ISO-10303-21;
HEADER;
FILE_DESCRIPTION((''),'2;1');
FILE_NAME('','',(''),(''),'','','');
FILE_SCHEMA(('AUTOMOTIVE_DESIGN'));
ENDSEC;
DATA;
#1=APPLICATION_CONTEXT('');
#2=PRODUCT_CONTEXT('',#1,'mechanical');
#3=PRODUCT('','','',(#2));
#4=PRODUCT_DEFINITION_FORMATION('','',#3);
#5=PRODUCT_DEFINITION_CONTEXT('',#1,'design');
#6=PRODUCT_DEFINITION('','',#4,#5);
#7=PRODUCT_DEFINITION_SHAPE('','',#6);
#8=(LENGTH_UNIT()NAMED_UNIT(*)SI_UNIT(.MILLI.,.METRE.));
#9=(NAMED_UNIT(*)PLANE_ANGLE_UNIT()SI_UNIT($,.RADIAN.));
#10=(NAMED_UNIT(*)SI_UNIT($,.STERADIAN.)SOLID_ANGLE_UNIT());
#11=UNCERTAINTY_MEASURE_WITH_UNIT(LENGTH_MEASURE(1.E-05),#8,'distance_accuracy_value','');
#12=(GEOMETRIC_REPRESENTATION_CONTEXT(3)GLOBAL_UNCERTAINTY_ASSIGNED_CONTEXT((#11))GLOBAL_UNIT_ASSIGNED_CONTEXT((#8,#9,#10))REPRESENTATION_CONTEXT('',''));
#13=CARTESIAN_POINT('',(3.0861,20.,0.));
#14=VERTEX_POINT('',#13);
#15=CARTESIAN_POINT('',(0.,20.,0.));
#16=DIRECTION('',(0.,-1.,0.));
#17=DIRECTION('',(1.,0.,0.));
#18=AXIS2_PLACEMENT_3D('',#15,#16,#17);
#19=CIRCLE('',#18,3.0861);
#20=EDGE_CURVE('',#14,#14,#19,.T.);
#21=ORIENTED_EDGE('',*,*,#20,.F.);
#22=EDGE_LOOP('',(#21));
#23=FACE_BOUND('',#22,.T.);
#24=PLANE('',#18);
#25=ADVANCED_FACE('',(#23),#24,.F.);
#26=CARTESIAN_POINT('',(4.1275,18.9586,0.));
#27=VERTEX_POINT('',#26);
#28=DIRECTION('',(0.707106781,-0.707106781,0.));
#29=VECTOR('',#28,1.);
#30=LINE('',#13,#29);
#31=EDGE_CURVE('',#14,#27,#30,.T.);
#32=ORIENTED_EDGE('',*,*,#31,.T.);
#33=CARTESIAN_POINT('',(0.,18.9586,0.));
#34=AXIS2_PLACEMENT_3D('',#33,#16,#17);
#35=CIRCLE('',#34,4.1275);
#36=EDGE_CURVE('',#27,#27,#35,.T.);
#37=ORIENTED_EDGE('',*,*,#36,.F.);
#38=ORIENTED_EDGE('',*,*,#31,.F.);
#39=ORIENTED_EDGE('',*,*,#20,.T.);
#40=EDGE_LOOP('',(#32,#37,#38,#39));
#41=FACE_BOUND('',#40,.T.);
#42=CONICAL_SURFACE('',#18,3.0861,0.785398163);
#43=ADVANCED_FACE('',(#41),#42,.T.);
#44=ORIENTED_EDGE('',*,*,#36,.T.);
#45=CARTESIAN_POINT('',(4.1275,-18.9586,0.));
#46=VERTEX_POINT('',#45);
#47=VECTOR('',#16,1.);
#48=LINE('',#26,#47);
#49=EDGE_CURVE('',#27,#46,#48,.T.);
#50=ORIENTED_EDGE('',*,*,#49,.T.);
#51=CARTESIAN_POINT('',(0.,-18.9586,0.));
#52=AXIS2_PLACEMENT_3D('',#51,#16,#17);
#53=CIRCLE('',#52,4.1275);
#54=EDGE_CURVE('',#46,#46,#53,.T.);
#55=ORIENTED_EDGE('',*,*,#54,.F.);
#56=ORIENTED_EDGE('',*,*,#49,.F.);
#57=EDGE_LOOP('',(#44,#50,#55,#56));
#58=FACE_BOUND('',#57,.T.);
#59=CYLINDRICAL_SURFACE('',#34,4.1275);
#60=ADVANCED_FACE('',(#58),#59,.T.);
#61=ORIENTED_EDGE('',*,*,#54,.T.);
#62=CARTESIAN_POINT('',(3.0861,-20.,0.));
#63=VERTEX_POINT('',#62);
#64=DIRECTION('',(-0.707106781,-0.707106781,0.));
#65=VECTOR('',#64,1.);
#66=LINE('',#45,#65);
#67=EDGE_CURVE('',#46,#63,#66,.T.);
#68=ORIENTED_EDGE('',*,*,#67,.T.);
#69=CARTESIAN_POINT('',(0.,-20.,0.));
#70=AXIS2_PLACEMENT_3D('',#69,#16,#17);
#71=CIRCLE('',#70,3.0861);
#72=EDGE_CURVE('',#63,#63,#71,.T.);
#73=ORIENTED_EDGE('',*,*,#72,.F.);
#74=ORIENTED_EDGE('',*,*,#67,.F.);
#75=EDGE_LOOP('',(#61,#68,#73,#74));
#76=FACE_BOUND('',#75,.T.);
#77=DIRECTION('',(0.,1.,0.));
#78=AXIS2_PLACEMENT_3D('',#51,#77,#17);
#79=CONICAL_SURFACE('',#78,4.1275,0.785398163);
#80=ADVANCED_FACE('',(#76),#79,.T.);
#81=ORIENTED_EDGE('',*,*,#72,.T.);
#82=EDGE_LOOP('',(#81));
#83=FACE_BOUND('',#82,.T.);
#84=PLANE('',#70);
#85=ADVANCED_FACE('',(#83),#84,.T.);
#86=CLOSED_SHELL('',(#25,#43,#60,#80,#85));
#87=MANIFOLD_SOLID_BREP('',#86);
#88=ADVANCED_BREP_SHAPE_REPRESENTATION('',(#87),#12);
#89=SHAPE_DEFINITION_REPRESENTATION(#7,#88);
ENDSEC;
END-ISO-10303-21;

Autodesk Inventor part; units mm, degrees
sketch "Sketch_1" plane through (0, 0, 0) normal (0, 0, 1) x (1, 0, 0)
  line L0 (0, -20) -> (0, 20)
  line L1 (0, 20) -> (3.0861, 20)
  line L2 (3.0861, 20) -> (4.1275, 18.9586)
  line L3 (4.1275, 18.9586) -> (4.1275, -18.9586)
  line L4 (4.1275, -18.9586) -> (3.0861, -20)
  line L5 (3.0861, -20) -> (0, -20)
  line L6 (0, -20) -> (0, 20)
revolve "Revolution1" add sketch "Sketch_1" angle 360 about axis through (0, -20, 0) along (0, -1, 0)
ref_plane "to_a_XY" through (0, 0, 0) normal (0, 1, 0) x (1, 0, 0)
ref_plane "to_a_YZ" through (0, 0, 0) normal (1, 0, 0) x (0, 0, -1)
ref_plane "to_a_ZX" through (0, 0, 0) normal (0, 0, -1) x (0, 1, 0)
properties part number "4489_pin"
